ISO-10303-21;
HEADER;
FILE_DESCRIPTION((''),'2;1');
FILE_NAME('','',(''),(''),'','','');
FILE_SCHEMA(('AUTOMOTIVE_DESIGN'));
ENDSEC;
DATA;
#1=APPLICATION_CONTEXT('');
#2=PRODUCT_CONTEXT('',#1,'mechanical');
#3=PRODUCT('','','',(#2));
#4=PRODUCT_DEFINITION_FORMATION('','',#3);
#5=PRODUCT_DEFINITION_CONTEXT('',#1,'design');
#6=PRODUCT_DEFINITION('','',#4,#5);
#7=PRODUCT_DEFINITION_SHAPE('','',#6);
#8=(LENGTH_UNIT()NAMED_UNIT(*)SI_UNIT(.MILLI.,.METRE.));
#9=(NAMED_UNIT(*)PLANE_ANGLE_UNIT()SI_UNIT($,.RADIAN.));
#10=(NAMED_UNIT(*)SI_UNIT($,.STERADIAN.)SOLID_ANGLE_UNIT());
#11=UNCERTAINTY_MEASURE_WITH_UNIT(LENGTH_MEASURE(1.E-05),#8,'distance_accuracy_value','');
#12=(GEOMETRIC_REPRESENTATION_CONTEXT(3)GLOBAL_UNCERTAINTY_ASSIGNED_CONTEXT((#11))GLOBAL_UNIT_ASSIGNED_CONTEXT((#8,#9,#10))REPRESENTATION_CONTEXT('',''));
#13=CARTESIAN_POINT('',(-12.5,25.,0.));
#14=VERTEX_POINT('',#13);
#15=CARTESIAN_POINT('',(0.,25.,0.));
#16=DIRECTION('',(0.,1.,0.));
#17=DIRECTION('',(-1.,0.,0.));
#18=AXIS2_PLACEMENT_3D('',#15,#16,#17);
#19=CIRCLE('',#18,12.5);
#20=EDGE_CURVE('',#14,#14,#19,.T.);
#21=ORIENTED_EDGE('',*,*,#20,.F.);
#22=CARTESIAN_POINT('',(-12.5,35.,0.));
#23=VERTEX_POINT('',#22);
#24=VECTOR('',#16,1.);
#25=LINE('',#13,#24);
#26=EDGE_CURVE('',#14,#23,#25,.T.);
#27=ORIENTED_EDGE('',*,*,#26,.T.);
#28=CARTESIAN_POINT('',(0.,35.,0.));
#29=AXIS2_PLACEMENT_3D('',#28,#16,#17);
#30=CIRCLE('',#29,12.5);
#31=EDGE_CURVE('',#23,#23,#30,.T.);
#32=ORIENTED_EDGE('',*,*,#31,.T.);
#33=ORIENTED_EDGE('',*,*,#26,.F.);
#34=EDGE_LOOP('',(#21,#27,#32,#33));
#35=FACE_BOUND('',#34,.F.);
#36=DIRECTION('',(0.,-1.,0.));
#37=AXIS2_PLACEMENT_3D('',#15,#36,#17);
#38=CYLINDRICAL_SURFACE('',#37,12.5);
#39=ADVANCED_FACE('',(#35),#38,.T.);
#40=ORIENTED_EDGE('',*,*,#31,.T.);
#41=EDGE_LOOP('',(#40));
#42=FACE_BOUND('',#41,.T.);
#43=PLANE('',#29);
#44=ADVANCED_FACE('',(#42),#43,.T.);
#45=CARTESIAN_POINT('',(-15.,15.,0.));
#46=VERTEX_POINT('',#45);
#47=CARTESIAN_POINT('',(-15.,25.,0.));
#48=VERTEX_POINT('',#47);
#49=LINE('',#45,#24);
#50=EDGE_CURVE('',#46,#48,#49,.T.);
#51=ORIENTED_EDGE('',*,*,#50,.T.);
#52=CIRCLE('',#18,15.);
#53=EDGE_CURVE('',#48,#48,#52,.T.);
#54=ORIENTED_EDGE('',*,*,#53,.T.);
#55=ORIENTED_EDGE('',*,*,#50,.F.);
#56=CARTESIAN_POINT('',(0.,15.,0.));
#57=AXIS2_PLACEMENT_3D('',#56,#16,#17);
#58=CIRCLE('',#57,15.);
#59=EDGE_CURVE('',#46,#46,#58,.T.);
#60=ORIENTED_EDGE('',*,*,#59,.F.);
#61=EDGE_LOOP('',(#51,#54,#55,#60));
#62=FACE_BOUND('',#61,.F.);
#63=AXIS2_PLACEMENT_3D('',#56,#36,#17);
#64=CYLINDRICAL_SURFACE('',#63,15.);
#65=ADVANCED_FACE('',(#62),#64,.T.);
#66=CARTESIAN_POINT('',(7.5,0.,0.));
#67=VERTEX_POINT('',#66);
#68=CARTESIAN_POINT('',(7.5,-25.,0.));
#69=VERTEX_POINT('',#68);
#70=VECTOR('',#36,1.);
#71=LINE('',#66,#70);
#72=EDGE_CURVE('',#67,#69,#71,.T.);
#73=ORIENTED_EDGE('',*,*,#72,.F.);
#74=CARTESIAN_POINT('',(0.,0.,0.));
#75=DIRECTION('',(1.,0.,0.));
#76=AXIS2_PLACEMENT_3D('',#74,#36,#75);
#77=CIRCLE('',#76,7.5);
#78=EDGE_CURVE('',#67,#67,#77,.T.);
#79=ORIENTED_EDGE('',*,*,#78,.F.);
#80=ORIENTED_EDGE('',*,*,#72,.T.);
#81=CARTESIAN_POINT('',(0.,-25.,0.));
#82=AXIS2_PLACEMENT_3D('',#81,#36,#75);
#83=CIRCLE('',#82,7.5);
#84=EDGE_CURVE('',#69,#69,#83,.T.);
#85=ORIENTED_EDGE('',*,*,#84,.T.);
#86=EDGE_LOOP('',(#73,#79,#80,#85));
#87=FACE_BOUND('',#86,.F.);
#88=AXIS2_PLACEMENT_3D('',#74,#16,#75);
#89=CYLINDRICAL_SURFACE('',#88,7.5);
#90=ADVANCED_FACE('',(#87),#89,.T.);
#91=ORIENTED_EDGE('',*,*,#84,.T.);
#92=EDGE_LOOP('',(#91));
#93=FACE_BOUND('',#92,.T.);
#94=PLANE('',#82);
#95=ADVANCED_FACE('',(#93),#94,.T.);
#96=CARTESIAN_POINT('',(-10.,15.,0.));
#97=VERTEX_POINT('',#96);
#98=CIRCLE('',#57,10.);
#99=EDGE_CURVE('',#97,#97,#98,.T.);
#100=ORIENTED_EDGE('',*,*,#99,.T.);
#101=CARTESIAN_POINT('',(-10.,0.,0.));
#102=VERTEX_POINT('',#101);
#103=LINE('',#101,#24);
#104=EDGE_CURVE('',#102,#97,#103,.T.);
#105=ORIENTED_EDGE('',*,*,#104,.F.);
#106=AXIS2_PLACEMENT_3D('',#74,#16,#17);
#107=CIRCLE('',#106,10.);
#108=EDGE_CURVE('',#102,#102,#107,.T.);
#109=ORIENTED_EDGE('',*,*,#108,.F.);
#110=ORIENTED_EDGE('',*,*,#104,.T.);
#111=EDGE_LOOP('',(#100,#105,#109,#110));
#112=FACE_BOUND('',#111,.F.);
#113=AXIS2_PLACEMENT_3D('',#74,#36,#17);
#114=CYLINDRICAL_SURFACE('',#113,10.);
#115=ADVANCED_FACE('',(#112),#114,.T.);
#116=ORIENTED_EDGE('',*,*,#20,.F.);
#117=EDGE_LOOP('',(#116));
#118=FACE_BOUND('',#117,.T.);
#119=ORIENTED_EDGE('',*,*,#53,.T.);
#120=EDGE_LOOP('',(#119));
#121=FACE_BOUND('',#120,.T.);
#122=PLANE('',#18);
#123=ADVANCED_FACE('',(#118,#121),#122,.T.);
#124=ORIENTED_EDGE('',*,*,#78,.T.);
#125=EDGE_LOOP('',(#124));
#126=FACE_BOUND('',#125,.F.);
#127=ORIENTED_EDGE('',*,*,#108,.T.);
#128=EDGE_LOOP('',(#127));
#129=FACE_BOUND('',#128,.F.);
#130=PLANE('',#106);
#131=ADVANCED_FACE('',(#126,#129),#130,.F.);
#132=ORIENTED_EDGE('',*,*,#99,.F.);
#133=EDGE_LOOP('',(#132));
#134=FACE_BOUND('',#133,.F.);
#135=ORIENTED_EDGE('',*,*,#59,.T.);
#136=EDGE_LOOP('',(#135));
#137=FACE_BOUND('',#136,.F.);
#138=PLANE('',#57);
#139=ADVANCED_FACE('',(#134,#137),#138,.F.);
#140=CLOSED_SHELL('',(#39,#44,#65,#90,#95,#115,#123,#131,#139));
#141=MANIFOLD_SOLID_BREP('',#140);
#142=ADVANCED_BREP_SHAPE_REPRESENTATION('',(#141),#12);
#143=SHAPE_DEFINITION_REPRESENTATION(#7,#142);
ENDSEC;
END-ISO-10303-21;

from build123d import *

# Parameters (mm, degrees)
F0_R     = 7.5
F1_DEPTH = 25
F2_R     = 10
F3_DEPTH = 15
F4_R     = 15
F5_DEPTH = 10
F6_R     = 12.5
F7_DEPTH = 10


with BuildPart() as f1:
    # F0 (on Front) → F1 (new body)
    with BuildSketch(Plane.XZ):
        Circle(F0_R)
    extrude(amount=F1_DEPTH)

    # F2 (on face) → F3 (join)
    with BuildSketch(Plane(origin=(0, 0, 0), x_dir=(-1, 0, 0), z_dir=(0, 1, 0))):
        Circle(F2_R)
    extrude(amount=F3_DEPTH)

    # F4 (on face) → F5 (join)
    with BuildSketch(Plane(origin=(0, 15, 0), x_dir=(-1, 0, 0), z_dir=(0, 1, 0))):
        Circle(F4_R)
    extrude(amount=F5_DEPTH)

    # F6 (on face) → F7 (join)
    with BuildSketch(Plane(origin=(0, 25, 0), x_dir=(-1, 0, 0), z_dir=(0, 1, 0))):
        Circle(F6_R)
    extrude(amount=F7_DEPTH)


solid = f1.part
